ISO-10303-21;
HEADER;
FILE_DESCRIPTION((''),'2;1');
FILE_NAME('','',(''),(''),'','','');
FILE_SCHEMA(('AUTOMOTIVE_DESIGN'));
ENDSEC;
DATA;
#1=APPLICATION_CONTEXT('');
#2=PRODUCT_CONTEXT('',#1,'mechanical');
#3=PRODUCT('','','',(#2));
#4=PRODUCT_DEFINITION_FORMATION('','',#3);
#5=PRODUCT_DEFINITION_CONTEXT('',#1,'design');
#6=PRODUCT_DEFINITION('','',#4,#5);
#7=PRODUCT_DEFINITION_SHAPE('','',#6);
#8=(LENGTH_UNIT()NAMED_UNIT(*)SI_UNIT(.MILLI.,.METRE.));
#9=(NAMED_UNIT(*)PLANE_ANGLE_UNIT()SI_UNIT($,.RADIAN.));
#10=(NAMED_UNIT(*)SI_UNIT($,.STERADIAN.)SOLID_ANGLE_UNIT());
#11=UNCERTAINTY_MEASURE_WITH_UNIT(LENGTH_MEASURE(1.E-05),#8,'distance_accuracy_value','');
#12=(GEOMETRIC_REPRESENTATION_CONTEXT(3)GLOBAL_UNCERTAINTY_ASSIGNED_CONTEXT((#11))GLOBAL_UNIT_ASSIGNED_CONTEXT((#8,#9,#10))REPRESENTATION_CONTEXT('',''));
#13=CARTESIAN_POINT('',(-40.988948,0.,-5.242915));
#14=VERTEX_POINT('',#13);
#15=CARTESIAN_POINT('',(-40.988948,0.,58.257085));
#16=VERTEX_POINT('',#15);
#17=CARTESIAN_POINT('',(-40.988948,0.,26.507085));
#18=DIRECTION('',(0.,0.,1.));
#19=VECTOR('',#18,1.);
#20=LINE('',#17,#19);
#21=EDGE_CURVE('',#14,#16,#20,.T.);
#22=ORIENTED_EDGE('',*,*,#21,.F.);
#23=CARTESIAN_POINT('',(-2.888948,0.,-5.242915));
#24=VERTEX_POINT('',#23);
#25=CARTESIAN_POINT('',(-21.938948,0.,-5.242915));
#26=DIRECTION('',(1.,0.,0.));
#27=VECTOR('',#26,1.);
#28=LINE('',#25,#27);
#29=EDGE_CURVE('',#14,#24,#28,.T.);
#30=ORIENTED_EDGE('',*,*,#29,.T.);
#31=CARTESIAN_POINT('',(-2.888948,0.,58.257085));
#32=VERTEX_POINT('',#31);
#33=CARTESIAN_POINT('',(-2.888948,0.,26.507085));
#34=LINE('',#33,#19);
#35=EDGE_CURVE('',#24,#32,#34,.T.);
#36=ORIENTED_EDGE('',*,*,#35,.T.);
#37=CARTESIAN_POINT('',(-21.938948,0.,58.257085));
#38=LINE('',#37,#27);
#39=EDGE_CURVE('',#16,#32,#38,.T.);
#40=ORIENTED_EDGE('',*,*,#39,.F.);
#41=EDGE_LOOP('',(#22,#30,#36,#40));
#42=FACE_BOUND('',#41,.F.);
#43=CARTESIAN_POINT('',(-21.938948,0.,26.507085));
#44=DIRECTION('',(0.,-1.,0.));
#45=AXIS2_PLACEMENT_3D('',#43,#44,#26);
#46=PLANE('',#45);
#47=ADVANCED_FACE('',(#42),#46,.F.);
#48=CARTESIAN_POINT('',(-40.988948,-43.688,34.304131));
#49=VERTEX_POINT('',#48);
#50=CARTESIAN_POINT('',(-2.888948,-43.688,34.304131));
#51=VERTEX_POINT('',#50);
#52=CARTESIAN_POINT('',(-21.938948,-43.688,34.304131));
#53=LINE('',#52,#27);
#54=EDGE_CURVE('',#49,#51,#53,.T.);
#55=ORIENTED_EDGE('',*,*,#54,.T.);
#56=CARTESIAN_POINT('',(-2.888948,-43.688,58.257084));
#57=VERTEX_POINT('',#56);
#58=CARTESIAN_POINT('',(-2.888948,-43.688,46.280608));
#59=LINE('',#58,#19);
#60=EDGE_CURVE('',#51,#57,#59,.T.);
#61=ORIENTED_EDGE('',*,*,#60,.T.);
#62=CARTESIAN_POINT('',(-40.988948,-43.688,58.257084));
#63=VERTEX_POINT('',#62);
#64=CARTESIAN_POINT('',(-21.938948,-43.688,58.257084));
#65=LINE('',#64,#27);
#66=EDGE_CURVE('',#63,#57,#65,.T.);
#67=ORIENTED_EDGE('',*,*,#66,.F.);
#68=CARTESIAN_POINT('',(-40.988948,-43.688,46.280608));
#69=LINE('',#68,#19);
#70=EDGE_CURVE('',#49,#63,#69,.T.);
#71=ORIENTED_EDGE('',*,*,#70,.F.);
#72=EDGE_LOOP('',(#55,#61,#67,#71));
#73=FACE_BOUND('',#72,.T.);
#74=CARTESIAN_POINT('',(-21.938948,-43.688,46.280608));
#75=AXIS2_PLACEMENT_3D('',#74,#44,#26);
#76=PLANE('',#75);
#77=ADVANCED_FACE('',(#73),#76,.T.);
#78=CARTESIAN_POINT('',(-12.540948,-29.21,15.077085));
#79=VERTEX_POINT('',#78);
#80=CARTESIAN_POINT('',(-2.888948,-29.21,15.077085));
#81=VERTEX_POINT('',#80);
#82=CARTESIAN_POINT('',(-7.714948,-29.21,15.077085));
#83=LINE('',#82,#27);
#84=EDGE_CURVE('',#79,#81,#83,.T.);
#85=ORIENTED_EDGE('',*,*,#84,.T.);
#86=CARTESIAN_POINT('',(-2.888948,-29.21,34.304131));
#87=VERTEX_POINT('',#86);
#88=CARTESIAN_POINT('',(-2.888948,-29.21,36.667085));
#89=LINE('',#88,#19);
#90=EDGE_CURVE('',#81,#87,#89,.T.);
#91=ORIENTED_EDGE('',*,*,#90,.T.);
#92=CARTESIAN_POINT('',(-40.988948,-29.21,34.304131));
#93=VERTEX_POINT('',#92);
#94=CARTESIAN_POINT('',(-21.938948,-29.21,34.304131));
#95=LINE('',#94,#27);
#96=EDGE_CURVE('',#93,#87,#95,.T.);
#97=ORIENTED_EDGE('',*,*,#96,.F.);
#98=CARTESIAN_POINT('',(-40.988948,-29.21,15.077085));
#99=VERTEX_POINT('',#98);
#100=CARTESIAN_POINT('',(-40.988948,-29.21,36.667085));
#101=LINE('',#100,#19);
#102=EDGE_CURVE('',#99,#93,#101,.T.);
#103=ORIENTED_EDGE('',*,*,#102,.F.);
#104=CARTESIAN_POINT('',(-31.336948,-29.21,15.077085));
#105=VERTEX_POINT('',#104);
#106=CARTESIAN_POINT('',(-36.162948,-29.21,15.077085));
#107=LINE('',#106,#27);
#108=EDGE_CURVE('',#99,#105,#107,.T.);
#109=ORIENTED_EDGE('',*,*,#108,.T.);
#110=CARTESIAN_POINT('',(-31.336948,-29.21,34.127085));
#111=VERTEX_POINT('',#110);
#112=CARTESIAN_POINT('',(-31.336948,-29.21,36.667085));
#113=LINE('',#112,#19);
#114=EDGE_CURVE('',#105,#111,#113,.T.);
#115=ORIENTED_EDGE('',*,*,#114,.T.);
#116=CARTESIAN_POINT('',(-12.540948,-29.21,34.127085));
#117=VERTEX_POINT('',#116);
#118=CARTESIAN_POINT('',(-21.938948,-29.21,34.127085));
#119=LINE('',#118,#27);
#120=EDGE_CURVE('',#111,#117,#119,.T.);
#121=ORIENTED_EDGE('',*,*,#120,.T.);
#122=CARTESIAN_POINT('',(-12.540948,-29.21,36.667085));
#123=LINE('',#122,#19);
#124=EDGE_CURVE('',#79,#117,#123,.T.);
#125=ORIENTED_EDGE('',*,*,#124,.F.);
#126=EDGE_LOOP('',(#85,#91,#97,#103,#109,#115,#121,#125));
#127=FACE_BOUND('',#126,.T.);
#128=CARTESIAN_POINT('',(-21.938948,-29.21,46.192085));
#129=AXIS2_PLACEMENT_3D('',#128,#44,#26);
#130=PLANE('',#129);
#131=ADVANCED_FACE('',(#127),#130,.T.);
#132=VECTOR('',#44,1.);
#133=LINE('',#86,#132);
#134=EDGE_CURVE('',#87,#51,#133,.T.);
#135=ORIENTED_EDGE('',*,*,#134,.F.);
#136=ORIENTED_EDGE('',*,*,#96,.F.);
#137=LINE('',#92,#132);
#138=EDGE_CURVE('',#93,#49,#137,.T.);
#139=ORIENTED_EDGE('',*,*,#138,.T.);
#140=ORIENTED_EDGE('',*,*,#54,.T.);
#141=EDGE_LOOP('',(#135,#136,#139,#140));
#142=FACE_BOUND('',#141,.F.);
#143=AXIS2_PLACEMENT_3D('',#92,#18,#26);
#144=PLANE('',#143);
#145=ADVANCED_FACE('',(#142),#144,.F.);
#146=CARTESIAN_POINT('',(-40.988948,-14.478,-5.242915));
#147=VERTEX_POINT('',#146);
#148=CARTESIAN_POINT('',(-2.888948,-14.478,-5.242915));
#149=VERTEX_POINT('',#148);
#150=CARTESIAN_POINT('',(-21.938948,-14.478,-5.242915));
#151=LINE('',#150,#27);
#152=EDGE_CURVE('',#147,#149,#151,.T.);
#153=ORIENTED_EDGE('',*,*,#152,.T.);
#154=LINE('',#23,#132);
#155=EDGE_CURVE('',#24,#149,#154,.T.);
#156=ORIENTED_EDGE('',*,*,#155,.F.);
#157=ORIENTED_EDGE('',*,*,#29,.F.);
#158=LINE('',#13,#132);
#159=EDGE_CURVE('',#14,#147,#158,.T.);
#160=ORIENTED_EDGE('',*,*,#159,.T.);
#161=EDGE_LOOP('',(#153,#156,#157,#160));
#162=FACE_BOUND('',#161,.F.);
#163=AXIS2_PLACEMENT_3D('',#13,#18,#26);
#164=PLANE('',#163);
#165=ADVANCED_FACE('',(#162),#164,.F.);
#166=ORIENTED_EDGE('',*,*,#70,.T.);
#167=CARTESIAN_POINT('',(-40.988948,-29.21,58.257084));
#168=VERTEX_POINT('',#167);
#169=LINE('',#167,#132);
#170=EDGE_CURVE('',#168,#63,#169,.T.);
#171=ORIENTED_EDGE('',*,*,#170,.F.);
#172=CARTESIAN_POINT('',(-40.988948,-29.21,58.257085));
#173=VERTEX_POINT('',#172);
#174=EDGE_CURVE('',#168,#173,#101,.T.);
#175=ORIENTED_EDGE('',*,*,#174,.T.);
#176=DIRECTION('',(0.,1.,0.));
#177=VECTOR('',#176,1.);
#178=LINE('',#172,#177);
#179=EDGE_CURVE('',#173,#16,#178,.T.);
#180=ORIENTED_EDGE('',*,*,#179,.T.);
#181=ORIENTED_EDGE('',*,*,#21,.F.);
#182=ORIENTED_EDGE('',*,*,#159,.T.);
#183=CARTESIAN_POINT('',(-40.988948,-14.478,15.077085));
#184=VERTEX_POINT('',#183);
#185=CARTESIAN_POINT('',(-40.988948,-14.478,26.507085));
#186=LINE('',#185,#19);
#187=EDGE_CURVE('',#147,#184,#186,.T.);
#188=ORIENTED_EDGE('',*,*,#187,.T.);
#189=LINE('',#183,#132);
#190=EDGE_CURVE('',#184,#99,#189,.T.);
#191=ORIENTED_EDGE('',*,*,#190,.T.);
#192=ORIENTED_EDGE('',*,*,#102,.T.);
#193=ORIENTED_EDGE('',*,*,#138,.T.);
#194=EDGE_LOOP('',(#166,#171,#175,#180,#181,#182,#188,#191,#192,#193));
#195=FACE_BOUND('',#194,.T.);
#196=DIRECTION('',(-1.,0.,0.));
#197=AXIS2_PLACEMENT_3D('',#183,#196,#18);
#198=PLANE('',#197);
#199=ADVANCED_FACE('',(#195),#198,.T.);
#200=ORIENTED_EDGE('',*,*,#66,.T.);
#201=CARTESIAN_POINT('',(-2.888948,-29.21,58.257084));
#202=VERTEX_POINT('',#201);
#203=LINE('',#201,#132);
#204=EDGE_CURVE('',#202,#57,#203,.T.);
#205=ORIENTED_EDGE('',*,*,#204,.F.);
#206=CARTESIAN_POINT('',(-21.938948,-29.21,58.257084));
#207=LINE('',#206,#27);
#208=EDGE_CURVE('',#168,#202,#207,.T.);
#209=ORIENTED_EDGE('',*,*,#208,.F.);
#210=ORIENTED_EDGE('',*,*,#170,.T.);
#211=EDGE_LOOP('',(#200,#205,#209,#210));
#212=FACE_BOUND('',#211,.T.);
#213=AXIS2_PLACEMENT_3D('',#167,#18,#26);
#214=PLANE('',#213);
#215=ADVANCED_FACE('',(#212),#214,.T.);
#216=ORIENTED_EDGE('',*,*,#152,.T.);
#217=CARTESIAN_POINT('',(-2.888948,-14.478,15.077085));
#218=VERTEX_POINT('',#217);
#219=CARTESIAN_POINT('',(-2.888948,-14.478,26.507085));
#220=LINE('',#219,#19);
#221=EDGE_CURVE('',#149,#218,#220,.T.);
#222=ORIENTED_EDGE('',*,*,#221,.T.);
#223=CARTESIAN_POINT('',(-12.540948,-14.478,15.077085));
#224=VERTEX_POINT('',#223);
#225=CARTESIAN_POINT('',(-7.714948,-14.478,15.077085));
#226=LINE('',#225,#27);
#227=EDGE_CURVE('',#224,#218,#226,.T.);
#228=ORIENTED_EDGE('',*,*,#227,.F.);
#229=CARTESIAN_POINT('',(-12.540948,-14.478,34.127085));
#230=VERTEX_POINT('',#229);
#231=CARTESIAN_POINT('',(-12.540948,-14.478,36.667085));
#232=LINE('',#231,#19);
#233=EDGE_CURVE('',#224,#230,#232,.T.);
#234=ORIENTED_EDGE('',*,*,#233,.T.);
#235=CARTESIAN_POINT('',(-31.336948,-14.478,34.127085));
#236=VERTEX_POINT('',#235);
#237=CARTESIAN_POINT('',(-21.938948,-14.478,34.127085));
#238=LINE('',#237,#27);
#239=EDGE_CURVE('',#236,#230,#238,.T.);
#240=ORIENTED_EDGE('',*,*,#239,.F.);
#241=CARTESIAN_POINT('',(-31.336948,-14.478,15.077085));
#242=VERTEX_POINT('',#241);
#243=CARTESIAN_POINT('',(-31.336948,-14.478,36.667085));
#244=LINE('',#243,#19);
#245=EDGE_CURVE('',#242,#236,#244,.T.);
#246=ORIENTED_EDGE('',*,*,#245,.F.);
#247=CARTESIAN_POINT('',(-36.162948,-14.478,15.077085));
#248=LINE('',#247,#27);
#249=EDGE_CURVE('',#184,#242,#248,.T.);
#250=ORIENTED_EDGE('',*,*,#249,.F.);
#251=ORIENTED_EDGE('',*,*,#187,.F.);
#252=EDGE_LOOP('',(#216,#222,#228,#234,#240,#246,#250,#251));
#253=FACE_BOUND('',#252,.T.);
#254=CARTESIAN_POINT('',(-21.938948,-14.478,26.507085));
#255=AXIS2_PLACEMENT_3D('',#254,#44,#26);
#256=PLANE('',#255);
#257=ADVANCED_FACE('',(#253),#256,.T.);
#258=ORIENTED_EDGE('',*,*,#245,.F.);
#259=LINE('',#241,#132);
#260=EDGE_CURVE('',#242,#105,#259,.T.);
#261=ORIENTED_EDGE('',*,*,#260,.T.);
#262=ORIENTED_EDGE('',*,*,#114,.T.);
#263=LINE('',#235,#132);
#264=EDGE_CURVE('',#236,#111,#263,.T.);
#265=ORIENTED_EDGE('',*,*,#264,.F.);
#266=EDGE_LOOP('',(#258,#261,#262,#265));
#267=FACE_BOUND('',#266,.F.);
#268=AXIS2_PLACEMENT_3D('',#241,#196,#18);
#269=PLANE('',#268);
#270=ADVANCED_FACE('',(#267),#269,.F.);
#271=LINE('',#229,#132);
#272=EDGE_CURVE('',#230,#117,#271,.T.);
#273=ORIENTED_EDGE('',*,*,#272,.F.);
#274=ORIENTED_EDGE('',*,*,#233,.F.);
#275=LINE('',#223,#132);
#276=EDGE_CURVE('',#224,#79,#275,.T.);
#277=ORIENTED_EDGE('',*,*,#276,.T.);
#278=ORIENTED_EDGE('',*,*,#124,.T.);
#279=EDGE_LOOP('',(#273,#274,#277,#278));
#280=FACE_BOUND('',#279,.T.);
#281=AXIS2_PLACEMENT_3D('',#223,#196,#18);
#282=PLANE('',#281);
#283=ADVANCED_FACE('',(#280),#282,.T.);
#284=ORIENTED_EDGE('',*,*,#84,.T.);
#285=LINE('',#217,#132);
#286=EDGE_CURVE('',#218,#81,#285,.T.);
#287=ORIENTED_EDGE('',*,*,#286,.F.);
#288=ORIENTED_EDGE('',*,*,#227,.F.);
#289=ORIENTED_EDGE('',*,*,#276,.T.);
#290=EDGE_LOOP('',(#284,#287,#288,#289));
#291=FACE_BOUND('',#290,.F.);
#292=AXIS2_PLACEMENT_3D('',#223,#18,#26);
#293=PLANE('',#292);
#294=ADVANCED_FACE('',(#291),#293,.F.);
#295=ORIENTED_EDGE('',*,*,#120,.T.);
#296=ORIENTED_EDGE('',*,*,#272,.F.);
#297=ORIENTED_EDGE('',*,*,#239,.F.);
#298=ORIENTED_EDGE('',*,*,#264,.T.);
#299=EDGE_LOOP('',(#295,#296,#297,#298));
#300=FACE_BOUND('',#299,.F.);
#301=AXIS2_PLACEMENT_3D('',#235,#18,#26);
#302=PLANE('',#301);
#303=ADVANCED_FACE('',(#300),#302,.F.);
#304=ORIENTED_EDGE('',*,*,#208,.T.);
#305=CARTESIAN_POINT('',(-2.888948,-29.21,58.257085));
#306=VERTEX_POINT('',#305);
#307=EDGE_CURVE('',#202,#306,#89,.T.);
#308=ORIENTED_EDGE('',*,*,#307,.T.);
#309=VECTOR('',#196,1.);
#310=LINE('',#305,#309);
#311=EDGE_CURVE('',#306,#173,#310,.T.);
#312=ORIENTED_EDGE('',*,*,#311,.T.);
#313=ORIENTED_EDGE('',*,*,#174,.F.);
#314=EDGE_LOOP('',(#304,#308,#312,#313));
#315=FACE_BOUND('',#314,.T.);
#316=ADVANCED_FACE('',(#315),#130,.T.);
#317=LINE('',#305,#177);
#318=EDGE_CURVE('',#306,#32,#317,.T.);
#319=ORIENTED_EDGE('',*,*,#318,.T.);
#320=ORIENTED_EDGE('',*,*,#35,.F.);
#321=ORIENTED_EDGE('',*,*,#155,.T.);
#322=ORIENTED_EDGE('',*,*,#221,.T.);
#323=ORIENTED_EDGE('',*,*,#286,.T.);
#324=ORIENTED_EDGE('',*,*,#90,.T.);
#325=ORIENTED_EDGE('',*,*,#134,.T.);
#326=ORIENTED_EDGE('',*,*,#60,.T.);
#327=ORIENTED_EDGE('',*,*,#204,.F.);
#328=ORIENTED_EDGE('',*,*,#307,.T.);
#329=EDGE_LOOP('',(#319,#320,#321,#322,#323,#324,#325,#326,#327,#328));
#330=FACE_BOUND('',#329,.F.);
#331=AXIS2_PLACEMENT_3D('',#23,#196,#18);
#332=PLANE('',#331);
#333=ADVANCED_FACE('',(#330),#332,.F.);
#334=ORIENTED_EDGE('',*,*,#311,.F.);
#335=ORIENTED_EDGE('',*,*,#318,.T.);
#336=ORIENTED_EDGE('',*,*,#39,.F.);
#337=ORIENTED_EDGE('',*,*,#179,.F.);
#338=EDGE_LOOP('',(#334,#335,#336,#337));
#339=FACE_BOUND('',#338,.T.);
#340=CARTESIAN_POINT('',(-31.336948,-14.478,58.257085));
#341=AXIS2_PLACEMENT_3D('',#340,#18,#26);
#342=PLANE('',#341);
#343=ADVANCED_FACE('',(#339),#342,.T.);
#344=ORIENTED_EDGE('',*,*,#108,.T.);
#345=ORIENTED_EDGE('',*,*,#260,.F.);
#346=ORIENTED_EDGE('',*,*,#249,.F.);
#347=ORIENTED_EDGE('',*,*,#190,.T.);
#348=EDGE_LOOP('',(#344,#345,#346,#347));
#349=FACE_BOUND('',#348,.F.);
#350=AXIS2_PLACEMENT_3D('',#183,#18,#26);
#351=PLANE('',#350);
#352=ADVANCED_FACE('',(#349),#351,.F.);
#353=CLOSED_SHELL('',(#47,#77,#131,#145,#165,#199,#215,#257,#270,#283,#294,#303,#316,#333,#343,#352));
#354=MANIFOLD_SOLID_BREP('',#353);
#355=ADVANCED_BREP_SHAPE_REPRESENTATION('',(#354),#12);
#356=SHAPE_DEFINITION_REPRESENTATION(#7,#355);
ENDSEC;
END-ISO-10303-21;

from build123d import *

# Parameters (mm, degrees)
F0_W     = 38.1
F0_H     = 63.5
F1_DEPTH = 14.478
F2_W     = 9.652
F2_H     = 43.18
F3_DEPTH = 14.732
F4_W     = 18.796
F4_H     = 24.13
F5_DEPTH = 14.732
F6_W     = 38.1
F6_H     = 23.952953
F7_DEPTH = 14.478


with BuildPart() as f1:
    # F0 (on Front) → F1 (new body)
    with BuildSketch(Plane.XZ):
        with Locations((-21.938948, 26.507085)):
            Rectangle(F0_W, F0_H)
    extrude(amount=F1_DEPTH)

    # F2 (on face) → F3 (join)
    with BuildSketch(Plane.XZ.offset(14.478)):
        with Locations((-36.162948, 36.667085)):
            Rectangle(F2_W, F2_H)
        with Locations((-7.714948, 36.667085)):
            Rectangle(F2_W, F2_H)
    extrude(amount=F3_DEPTH)

    # F4 (on face) → F5 (join, through all)
    with BuildSketch(Plane.XZ.offset(14.478)):
        with Locations((-21.938948, 46.192085)):
            Rectangle(F4_W, F4_H)
    extrude(amount=F5_DEPTH)

    # F6 (on face) → F7 (join)
    with BuildSketch(Plane.XZ.offset(29.21)):
        with Locations((-21.938948, 46.280608)):
            Rectangle(F6_W, F6_H)
    extrude(amount=F7_DEPTH)


solid = f1.part
